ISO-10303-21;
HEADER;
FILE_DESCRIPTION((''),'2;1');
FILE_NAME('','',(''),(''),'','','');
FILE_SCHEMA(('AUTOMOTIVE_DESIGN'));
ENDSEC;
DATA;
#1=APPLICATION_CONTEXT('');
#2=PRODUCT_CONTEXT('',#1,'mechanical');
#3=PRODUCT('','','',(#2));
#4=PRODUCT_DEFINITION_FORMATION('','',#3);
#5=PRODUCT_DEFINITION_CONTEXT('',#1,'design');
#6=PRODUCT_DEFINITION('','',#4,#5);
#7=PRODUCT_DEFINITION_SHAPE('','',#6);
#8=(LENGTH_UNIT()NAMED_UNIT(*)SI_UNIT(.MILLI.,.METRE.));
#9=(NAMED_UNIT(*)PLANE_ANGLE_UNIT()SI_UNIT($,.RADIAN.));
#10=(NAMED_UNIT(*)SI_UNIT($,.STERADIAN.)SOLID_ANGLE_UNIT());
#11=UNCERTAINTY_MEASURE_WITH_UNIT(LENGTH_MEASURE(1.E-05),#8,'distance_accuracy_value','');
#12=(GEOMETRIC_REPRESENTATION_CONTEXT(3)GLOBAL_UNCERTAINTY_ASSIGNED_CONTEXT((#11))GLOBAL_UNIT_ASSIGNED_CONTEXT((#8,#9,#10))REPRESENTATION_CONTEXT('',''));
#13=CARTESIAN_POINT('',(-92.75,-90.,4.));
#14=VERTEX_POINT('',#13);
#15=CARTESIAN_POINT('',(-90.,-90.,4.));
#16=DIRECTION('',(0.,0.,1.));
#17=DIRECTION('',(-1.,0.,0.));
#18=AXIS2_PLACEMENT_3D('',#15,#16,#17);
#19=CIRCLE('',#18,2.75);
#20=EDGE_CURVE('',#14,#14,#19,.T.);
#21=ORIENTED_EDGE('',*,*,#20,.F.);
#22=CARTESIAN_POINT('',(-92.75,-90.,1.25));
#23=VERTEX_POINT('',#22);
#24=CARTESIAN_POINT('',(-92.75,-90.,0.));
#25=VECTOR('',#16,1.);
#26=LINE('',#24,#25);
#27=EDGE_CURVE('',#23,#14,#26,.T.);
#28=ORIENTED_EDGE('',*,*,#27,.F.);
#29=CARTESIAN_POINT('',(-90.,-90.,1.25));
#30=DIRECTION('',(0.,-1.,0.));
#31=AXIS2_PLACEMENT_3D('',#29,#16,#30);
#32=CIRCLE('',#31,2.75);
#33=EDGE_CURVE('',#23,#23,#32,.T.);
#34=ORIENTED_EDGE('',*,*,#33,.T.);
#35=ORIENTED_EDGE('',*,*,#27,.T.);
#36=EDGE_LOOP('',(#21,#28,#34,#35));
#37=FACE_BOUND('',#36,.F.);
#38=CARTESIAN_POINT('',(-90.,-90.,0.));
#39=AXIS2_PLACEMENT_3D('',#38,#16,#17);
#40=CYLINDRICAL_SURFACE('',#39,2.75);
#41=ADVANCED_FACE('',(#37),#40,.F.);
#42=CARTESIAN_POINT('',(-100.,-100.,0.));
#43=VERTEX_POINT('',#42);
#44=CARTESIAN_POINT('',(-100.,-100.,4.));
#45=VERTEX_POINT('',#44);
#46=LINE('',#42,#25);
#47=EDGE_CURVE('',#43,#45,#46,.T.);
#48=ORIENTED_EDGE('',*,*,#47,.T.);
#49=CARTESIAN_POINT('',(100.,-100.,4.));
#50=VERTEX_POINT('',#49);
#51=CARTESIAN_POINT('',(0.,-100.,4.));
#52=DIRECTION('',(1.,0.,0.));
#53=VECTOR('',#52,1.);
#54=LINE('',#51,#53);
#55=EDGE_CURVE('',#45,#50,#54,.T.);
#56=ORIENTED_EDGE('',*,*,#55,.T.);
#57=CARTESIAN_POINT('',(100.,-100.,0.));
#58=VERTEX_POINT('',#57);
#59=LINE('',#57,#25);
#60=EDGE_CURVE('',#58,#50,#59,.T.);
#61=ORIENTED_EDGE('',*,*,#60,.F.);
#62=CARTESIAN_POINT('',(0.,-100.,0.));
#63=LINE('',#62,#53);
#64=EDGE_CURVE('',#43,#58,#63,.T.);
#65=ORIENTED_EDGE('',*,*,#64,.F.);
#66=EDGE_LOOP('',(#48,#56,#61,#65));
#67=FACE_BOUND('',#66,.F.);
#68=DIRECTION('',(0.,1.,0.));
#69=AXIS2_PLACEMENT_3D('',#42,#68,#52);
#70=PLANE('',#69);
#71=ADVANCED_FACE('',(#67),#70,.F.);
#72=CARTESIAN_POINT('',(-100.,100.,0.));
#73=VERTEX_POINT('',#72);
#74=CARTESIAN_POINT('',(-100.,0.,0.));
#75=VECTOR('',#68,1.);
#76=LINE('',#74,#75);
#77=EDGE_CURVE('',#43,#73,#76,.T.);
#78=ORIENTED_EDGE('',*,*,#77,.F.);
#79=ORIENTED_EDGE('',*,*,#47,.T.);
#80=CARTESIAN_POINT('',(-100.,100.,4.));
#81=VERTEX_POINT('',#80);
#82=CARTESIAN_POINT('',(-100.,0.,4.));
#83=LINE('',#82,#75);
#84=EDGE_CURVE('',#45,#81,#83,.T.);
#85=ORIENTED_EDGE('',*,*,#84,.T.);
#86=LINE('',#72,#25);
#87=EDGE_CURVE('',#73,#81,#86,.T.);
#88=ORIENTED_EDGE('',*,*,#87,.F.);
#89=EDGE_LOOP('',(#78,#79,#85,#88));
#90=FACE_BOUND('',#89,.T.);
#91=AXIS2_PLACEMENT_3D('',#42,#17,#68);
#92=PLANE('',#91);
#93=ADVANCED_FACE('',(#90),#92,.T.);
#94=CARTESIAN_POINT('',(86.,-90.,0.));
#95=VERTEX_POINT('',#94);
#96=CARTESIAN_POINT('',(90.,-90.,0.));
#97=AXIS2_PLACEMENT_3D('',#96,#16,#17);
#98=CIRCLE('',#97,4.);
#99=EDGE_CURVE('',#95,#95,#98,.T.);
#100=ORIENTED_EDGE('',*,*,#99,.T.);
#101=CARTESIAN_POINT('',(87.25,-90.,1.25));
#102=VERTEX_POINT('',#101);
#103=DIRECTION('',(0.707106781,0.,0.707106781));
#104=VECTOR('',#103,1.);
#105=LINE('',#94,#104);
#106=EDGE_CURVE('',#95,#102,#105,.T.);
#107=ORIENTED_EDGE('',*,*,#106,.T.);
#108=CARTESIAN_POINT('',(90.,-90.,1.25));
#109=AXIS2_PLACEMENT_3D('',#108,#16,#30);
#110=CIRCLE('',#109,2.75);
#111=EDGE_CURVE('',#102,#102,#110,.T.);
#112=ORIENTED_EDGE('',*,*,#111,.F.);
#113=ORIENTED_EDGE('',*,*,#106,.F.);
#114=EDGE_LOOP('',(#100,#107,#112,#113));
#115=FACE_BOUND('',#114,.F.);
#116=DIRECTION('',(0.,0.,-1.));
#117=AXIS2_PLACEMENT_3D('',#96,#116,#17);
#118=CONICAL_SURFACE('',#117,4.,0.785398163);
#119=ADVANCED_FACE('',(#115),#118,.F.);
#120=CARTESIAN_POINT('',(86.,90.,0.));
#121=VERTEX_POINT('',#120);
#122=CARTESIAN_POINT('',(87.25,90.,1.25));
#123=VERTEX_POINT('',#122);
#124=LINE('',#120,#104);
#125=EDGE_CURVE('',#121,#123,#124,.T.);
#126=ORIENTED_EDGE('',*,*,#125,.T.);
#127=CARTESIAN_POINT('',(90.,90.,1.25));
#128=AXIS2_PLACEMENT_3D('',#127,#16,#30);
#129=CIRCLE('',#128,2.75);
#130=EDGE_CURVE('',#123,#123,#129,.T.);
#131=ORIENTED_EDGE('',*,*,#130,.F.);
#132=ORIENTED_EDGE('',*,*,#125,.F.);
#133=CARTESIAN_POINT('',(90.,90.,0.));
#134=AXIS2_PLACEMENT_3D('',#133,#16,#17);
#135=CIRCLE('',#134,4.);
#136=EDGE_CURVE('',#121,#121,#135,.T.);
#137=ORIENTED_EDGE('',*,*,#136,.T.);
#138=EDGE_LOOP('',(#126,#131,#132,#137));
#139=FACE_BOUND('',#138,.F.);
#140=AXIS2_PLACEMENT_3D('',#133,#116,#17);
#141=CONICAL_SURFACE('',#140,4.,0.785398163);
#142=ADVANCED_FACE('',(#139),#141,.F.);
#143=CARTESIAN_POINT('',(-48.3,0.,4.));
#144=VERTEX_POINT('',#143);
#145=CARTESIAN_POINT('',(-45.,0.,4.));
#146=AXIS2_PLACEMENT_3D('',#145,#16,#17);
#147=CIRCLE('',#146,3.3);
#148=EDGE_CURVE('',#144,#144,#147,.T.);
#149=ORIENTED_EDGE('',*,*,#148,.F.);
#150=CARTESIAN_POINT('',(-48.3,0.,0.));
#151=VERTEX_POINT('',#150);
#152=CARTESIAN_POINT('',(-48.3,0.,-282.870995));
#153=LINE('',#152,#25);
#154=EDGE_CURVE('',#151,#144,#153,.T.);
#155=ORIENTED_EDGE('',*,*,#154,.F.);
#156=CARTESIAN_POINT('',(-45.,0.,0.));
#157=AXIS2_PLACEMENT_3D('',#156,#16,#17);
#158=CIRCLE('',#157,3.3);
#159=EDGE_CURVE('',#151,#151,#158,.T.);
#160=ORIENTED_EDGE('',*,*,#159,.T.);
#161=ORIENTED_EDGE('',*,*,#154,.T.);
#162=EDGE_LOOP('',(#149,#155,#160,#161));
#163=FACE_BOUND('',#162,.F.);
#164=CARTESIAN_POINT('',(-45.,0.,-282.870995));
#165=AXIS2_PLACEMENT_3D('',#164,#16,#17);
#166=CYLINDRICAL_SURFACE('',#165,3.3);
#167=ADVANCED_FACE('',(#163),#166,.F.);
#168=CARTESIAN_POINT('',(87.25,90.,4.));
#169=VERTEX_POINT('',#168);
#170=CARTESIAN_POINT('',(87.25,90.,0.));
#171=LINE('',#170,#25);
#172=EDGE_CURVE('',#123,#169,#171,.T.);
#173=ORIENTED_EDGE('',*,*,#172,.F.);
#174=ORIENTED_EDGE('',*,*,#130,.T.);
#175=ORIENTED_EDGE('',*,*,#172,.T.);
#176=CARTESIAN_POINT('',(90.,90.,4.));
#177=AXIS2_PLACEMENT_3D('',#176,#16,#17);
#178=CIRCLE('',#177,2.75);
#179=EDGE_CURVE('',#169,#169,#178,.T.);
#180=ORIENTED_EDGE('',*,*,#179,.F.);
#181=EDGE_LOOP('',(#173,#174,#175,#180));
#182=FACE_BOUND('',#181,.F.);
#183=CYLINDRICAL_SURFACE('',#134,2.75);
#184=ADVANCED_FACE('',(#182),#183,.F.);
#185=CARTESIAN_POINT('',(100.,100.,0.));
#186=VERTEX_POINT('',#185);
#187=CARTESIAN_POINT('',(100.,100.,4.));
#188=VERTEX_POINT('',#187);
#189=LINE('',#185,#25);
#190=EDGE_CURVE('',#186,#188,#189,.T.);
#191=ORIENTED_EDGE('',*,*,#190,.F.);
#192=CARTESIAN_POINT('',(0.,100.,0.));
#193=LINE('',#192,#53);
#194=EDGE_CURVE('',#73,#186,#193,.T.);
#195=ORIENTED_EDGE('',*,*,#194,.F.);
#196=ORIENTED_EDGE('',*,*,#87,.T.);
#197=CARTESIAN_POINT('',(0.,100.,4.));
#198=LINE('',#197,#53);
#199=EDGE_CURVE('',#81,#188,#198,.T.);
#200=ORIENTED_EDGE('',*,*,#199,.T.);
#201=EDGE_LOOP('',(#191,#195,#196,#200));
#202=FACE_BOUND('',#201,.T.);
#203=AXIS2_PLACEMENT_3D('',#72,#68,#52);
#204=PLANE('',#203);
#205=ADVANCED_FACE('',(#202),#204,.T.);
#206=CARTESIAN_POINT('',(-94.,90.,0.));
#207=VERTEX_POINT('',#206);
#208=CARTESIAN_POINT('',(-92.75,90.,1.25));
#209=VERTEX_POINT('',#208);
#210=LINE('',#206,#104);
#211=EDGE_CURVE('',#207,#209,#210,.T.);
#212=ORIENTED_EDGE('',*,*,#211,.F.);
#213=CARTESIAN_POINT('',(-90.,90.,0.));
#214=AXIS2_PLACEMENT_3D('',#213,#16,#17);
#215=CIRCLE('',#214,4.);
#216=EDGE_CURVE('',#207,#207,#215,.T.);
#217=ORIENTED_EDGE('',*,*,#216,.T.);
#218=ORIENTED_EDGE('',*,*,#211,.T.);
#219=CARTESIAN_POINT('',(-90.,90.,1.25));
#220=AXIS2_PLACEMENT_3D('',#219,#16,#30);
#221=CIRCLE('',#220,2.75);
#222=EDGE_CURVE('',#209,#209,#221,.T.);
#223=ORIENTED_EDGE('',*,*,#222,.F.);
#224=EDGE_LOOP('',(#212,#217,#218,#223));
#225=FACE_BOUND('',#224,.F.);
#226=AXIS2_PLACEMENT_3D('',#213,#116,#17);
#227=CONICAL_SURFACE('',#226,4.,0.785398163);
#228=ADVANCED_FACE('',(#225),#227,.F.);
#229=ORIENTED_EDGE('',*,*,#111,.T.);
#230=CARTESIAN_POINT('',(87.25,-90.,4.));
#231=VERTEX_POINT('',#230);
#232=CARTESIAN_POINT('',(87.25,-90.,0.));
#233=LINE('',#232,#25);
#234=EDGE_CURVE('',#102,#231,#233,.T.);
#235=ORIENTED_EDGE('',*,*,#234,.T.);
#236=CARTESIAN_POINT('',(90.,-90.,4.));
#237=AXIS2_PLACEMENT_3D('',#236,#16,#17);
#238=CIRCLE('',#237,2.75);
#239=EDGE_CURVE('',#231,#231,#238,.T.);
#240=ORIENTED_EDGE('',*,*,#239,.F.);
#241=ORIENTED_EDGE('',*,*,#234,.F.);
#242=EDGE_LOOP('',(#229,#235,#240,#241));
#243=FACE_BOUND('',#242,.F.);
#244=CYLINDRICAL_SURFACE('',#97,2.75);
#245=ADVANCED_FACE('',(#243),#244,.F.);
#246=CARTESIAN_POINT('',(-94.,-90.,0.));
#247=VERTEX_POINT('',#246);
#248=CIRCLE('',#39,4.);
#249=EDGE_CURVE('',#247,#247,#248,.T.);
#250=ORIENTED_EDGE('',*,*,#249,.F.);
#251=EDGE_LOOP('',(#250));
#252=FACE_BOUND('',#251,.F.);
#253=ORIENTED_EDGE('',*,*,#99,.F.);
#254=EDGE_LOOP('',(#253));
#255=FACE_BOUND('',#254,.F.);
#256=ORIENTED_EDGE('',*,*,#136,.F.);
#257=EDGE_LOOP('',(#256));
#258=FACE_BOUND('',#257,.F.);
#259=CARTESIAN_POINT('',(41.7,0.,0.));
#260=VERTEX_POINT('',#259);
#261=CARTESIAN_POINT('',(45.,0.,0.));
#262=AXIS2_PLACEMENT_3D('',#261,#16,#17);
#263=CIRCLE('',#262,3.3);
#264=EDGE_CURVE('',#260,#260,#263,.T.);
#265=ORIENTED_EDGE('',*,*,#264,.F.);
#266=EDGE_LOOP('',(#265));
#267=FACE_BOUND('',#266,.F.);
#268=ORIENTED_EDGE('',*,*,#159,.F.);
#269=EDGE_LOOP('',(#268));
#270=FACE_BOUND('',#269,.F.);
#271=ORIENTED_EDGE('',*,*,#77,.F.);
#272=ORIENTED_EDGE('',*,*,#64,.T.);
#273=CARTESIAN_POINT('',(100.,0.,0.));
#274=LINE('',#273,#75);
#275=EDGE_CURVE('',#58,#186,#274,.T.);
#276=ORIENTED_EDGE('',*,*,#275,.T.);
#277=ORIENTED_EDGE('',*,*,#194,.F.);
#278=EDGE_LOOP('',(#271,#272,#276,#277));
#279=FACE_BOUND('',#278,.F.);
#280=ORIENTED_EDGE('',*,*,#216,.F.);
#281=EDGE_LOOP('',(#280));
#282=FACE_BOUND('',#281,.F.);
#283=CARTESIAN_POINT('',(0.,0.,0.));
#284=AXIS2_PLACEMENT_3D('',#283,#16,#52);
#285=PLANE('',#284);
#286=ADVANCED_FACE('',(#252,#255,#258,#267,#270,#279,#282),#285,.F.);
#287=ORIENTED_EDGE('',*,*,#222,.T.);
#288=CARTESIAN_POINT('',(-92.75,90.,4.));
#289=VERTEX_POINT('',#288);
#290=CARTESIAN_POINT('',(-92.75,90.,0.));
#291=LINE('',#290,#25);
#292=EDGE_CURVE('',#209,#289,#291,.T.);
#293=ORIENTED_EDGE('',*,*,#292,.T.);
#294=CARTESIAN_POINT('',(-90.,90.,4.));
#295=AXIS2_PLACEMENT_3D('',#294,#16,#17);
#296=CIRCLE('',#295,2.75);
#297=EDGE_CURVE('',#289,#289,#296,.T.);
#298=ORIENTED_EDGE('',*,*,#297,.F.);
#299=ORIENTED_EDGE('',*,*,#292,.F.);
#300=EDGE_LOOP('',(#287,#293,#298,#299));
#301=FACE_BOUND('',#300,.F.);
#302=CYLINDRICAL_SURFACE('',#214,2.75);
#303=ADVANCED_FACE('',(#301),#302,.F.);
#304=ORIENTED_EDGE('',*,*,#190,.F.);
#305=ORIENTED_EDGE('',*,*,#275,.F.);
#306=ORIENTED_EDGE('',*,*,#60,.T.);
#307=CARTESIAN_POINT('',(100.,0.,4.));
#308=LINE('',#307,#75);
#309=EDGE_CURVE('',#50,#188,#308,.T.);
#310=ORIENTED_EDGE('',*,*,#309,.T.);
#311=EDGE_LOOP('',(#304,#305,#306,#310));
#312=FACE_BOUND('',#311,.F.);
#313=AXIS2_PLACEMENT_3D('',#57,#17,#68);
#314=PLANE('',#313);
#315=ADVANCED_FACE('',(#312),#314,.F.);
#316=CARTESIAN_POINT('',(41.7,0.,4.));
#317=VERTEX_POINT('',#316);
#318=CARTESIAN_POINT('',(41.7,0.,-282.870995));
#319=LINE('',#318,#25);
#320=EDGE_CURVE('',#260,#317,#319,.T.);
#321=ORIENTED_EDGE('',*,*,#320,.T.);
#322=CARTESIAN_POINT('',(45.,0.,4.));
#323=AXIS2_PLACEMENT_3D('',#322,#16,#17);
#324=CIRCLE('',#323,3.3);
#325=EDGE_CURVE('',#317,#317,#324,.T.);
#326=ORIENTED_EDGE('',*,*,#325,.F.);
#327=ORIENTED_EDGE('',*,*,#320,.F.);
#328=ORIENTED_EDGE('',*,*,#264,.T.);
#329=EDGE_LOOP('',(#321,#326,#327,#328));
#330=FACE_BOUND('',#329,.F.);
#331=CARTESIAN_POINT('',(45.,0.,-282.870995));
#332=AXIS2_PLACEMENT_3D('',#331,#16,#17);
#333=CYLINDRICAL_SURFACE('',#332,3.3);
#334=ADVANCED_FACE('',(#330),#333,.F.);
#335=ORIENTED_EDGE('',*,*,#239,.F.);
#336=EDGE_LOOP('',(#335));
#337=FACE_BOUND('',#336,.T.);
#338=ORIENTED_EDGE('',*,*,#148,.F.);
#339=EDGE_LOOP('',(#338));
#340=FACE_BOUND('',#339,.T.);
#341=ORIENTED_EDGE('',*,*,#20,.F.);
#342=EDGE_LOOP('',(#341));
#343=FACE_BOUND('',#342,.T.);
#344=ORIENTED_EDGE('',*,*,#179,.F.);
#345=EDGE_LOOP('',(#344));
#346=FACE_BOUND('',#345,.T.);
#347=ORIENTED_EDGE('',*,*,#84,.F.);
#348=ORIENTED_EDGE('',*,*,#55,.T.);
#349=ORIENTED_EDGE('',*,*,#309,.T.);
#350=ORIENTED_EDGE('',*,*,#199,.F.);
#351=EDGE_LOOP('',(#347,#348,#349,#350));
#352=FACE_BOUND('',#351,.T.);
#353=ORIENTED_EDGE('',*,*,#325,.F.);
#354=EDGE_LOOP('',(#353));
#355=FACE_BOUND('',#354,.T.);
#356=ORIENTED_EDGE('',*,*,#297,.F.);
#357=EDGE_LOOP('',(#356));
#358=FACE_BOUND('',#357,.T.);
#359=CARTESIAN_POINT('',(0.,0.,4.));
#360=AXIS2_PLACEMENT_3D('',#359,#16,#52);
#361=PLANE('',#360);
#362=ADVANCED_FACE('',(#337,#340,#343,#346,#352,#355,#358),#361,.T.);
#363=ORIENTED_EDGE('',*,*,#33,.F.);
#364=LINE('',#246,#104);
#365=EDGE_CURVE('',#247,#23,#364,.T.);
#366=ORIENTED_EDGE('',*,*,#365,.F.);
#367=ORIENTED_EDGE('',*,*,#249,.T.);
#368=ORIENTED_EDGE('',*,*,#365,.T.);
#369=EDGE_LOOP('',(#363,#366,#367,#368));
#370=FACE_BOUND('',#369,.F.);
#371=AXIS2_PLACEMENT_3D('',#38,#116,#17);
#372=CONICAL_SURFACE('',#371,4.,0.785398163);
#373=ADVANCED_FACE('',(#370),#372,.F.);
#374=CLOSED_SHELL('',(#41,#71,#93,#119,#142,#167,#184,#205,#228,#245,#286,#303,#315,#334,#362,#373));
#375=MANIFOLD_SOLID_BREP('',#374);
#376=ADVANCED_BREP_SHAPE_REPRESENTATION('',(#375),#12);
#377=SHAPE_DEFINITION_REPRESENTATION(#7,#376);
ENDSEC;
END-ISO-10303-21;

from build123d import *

# Parameters (mm, degrees)
F0_W           = 200
F0_H           = 200
F1_DEPTH       = 4
F2_D           = 5.5
F2_CSINK_D     = 8
F2_CSINK_ANGLE = 90
F3_D           = 6.6


with BuildPart() as f1:
    # F0 (on Top) → F1 (new body)
    with BuildSketch(Plane.XY):
        Rectangle(F0_W, F0_H)
    extrude(amount=F1_DEPTH)

    # F2 (through all)
    with Locations(Plane(origin=(0, 0, 0), x_dir=(1, 0, 0), z_dir=(0, 0, -1))):
        with Locations((-90, 90), (90, 90), (90, -90), (-90, -90)):
            CounterSinkHole(F2_D / 2, F2_CSINK_D / 2, counter_sink_angle=F2_CSINK_ANGLE)

    # F3 (through all)
    with Locations(Plane(origin=(0, 0, 0), x_dir=(1, 0, 0), z_dir=(0, 0, -1))):
        with Locations((45, 0), (-45, 0)):
            Hole(F3_D / 2)


solid = f1.part
